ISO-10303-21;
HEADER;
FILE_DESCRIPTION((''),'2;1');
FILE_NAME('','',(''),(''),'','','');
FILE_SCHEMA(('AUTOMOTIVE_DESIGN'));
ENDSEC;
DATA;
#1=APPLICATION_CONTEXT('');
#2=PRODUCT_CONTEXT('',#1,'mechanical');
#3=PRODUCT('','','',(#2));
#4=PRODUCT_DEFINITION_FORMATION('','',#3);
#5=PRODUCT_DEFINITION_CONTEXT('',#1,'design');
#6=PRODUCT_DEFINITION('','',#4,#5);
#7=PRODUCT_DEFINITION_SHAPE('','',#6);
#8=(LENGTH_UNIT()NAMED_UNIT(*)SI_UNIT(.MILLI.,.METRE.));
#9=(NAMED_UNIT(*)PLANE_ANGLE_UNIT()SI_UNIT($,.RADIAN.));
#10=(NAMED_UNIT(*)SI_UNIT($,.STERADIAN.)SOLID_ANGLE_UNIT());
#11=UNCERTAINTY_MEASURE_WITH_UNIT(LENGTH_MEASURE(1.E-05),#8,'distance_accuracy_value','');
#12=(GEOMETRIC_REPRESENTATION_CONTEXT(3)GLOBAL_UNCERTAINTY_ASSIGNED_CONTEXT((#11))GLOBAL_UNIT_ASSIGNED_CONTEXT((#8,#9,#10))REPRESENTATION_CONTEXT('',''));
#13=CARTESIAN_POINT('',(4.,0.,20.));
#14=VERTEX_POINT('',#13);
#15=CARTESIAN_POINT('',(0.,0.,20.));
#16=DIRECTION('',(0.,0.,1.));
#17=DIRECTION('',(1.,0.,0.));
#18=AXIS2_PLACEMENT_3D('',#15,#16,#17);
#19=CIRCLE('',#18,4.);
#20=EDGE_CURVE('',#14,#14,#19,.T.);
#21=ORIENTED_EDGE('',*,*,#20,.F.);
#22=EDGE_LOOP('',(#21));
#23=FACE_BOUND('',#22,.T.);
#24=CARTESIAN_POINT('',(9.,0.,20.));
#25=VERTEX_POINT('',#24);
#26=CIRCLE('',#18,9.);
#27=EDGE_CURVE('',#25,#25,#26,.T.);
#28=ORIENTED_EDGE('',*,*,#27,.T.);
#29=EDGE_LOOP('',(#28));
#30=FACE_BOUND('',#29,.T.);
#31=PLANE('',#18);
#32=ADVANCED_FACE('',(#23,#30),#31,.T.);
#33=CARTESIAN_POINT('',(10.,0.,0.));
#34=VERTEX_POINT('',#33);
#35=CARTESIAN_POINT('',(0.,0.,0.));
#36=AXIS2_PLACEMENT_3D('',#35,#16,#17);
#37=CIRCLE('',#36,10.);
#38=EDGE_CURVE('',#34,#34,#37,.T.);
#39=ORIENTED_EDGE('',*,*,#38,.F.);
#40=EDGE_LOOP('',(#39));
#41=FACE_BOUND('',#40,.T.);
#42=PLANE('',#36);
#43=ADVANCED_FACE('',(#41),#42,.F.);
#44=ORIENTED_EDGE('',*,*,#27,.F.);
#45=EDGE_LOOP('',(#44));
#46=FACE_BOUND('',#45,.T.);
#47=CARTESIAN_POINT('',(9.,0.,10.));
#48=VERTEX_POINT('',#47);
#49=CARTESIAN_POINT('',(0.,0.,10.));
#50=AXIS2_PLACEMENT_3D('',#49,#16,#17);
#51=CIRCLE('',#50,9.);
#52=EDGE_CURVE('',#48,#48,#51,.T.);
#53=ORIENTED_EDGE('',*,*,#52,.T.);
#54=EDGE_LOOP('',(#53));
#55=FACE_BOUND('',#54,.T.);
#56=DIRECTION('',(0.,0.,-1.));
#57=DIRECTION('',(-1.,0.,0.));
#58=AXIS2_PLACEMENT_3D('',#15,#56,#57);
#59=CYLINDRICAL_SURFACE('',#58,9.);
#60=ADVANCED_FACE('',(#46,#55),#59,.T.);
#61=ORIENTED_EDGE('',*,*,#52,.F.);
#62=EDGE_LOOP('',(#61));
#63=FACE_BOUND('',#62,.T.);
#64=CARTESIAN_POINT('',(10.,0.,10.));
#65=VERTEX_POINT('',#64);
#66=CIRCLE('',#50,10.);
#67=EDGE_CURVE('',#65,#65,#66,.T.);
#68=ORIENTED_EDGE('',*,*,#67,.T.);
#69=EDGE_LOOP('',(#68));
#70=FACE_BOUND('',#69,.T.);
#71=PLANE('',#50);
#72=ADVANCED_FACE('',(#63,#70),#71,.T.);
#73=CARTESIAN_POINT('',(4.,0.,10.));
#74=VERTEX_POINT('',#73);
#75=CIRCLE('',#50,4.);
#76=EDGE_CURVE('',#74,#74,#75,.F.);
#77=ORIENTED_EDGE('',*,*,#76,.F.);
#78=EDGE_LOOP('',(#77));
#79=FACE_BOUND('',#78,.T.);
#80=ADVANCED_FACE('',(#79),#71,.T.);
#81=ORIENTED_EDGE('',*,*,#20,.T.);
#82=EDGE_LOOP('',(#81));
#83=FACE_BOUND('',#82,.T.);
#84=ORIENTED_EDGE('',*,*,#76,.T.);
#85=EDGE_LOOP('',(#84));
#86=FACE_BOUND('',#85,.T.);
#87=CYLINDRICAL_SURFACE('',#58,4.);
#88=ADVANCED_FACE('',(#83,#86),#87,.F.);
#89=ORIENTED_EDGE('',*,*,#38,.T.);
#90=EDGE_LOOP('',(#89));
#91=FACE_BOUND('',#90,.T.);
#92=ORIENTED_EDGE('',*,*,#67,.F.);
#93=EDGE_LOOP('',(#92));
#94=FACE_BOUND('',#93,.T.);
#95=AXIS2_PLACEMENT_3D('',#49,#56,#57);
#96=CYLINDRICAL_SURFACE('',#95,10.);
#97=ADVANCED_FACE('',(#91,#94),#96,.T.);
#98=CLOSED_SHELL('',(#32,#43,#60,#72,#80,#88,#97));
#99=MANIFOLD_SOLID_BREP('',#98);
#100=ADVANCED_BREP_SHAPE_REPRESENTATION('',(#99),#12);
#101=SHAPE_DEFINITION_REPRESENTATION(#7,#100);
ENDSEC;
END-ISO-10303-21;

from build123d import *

# Parameters (mm, degrees)
SKETCH_1_R      = 10
EXTRUDE_1_DEPTH = 10
SKETCH_2_R      = 9
SKETCH_2_R_2    = 4
EXTRUDE_2_DEPTH = 10


with BuildPart() as part:
    # 草图1 → 凸台-拉伸1 (new body)
    with BuildSketch(Plane.XY):
        Circle(SKETCH_1_R)
    extrude(amount=EXTRUDE_1_DEPTH)

    # 草图2 → 凸台-拉伸2 (add)
    with BuildSketch(Plane.XY.offset(10)):
        Circle(SKETCH_2_R)
        Circle(SKETCH_2_R_2, mode=Mode.SUBTRACT)
    extrude(amount=EXTRUDE_2_DEPTH)


solid = part.part
